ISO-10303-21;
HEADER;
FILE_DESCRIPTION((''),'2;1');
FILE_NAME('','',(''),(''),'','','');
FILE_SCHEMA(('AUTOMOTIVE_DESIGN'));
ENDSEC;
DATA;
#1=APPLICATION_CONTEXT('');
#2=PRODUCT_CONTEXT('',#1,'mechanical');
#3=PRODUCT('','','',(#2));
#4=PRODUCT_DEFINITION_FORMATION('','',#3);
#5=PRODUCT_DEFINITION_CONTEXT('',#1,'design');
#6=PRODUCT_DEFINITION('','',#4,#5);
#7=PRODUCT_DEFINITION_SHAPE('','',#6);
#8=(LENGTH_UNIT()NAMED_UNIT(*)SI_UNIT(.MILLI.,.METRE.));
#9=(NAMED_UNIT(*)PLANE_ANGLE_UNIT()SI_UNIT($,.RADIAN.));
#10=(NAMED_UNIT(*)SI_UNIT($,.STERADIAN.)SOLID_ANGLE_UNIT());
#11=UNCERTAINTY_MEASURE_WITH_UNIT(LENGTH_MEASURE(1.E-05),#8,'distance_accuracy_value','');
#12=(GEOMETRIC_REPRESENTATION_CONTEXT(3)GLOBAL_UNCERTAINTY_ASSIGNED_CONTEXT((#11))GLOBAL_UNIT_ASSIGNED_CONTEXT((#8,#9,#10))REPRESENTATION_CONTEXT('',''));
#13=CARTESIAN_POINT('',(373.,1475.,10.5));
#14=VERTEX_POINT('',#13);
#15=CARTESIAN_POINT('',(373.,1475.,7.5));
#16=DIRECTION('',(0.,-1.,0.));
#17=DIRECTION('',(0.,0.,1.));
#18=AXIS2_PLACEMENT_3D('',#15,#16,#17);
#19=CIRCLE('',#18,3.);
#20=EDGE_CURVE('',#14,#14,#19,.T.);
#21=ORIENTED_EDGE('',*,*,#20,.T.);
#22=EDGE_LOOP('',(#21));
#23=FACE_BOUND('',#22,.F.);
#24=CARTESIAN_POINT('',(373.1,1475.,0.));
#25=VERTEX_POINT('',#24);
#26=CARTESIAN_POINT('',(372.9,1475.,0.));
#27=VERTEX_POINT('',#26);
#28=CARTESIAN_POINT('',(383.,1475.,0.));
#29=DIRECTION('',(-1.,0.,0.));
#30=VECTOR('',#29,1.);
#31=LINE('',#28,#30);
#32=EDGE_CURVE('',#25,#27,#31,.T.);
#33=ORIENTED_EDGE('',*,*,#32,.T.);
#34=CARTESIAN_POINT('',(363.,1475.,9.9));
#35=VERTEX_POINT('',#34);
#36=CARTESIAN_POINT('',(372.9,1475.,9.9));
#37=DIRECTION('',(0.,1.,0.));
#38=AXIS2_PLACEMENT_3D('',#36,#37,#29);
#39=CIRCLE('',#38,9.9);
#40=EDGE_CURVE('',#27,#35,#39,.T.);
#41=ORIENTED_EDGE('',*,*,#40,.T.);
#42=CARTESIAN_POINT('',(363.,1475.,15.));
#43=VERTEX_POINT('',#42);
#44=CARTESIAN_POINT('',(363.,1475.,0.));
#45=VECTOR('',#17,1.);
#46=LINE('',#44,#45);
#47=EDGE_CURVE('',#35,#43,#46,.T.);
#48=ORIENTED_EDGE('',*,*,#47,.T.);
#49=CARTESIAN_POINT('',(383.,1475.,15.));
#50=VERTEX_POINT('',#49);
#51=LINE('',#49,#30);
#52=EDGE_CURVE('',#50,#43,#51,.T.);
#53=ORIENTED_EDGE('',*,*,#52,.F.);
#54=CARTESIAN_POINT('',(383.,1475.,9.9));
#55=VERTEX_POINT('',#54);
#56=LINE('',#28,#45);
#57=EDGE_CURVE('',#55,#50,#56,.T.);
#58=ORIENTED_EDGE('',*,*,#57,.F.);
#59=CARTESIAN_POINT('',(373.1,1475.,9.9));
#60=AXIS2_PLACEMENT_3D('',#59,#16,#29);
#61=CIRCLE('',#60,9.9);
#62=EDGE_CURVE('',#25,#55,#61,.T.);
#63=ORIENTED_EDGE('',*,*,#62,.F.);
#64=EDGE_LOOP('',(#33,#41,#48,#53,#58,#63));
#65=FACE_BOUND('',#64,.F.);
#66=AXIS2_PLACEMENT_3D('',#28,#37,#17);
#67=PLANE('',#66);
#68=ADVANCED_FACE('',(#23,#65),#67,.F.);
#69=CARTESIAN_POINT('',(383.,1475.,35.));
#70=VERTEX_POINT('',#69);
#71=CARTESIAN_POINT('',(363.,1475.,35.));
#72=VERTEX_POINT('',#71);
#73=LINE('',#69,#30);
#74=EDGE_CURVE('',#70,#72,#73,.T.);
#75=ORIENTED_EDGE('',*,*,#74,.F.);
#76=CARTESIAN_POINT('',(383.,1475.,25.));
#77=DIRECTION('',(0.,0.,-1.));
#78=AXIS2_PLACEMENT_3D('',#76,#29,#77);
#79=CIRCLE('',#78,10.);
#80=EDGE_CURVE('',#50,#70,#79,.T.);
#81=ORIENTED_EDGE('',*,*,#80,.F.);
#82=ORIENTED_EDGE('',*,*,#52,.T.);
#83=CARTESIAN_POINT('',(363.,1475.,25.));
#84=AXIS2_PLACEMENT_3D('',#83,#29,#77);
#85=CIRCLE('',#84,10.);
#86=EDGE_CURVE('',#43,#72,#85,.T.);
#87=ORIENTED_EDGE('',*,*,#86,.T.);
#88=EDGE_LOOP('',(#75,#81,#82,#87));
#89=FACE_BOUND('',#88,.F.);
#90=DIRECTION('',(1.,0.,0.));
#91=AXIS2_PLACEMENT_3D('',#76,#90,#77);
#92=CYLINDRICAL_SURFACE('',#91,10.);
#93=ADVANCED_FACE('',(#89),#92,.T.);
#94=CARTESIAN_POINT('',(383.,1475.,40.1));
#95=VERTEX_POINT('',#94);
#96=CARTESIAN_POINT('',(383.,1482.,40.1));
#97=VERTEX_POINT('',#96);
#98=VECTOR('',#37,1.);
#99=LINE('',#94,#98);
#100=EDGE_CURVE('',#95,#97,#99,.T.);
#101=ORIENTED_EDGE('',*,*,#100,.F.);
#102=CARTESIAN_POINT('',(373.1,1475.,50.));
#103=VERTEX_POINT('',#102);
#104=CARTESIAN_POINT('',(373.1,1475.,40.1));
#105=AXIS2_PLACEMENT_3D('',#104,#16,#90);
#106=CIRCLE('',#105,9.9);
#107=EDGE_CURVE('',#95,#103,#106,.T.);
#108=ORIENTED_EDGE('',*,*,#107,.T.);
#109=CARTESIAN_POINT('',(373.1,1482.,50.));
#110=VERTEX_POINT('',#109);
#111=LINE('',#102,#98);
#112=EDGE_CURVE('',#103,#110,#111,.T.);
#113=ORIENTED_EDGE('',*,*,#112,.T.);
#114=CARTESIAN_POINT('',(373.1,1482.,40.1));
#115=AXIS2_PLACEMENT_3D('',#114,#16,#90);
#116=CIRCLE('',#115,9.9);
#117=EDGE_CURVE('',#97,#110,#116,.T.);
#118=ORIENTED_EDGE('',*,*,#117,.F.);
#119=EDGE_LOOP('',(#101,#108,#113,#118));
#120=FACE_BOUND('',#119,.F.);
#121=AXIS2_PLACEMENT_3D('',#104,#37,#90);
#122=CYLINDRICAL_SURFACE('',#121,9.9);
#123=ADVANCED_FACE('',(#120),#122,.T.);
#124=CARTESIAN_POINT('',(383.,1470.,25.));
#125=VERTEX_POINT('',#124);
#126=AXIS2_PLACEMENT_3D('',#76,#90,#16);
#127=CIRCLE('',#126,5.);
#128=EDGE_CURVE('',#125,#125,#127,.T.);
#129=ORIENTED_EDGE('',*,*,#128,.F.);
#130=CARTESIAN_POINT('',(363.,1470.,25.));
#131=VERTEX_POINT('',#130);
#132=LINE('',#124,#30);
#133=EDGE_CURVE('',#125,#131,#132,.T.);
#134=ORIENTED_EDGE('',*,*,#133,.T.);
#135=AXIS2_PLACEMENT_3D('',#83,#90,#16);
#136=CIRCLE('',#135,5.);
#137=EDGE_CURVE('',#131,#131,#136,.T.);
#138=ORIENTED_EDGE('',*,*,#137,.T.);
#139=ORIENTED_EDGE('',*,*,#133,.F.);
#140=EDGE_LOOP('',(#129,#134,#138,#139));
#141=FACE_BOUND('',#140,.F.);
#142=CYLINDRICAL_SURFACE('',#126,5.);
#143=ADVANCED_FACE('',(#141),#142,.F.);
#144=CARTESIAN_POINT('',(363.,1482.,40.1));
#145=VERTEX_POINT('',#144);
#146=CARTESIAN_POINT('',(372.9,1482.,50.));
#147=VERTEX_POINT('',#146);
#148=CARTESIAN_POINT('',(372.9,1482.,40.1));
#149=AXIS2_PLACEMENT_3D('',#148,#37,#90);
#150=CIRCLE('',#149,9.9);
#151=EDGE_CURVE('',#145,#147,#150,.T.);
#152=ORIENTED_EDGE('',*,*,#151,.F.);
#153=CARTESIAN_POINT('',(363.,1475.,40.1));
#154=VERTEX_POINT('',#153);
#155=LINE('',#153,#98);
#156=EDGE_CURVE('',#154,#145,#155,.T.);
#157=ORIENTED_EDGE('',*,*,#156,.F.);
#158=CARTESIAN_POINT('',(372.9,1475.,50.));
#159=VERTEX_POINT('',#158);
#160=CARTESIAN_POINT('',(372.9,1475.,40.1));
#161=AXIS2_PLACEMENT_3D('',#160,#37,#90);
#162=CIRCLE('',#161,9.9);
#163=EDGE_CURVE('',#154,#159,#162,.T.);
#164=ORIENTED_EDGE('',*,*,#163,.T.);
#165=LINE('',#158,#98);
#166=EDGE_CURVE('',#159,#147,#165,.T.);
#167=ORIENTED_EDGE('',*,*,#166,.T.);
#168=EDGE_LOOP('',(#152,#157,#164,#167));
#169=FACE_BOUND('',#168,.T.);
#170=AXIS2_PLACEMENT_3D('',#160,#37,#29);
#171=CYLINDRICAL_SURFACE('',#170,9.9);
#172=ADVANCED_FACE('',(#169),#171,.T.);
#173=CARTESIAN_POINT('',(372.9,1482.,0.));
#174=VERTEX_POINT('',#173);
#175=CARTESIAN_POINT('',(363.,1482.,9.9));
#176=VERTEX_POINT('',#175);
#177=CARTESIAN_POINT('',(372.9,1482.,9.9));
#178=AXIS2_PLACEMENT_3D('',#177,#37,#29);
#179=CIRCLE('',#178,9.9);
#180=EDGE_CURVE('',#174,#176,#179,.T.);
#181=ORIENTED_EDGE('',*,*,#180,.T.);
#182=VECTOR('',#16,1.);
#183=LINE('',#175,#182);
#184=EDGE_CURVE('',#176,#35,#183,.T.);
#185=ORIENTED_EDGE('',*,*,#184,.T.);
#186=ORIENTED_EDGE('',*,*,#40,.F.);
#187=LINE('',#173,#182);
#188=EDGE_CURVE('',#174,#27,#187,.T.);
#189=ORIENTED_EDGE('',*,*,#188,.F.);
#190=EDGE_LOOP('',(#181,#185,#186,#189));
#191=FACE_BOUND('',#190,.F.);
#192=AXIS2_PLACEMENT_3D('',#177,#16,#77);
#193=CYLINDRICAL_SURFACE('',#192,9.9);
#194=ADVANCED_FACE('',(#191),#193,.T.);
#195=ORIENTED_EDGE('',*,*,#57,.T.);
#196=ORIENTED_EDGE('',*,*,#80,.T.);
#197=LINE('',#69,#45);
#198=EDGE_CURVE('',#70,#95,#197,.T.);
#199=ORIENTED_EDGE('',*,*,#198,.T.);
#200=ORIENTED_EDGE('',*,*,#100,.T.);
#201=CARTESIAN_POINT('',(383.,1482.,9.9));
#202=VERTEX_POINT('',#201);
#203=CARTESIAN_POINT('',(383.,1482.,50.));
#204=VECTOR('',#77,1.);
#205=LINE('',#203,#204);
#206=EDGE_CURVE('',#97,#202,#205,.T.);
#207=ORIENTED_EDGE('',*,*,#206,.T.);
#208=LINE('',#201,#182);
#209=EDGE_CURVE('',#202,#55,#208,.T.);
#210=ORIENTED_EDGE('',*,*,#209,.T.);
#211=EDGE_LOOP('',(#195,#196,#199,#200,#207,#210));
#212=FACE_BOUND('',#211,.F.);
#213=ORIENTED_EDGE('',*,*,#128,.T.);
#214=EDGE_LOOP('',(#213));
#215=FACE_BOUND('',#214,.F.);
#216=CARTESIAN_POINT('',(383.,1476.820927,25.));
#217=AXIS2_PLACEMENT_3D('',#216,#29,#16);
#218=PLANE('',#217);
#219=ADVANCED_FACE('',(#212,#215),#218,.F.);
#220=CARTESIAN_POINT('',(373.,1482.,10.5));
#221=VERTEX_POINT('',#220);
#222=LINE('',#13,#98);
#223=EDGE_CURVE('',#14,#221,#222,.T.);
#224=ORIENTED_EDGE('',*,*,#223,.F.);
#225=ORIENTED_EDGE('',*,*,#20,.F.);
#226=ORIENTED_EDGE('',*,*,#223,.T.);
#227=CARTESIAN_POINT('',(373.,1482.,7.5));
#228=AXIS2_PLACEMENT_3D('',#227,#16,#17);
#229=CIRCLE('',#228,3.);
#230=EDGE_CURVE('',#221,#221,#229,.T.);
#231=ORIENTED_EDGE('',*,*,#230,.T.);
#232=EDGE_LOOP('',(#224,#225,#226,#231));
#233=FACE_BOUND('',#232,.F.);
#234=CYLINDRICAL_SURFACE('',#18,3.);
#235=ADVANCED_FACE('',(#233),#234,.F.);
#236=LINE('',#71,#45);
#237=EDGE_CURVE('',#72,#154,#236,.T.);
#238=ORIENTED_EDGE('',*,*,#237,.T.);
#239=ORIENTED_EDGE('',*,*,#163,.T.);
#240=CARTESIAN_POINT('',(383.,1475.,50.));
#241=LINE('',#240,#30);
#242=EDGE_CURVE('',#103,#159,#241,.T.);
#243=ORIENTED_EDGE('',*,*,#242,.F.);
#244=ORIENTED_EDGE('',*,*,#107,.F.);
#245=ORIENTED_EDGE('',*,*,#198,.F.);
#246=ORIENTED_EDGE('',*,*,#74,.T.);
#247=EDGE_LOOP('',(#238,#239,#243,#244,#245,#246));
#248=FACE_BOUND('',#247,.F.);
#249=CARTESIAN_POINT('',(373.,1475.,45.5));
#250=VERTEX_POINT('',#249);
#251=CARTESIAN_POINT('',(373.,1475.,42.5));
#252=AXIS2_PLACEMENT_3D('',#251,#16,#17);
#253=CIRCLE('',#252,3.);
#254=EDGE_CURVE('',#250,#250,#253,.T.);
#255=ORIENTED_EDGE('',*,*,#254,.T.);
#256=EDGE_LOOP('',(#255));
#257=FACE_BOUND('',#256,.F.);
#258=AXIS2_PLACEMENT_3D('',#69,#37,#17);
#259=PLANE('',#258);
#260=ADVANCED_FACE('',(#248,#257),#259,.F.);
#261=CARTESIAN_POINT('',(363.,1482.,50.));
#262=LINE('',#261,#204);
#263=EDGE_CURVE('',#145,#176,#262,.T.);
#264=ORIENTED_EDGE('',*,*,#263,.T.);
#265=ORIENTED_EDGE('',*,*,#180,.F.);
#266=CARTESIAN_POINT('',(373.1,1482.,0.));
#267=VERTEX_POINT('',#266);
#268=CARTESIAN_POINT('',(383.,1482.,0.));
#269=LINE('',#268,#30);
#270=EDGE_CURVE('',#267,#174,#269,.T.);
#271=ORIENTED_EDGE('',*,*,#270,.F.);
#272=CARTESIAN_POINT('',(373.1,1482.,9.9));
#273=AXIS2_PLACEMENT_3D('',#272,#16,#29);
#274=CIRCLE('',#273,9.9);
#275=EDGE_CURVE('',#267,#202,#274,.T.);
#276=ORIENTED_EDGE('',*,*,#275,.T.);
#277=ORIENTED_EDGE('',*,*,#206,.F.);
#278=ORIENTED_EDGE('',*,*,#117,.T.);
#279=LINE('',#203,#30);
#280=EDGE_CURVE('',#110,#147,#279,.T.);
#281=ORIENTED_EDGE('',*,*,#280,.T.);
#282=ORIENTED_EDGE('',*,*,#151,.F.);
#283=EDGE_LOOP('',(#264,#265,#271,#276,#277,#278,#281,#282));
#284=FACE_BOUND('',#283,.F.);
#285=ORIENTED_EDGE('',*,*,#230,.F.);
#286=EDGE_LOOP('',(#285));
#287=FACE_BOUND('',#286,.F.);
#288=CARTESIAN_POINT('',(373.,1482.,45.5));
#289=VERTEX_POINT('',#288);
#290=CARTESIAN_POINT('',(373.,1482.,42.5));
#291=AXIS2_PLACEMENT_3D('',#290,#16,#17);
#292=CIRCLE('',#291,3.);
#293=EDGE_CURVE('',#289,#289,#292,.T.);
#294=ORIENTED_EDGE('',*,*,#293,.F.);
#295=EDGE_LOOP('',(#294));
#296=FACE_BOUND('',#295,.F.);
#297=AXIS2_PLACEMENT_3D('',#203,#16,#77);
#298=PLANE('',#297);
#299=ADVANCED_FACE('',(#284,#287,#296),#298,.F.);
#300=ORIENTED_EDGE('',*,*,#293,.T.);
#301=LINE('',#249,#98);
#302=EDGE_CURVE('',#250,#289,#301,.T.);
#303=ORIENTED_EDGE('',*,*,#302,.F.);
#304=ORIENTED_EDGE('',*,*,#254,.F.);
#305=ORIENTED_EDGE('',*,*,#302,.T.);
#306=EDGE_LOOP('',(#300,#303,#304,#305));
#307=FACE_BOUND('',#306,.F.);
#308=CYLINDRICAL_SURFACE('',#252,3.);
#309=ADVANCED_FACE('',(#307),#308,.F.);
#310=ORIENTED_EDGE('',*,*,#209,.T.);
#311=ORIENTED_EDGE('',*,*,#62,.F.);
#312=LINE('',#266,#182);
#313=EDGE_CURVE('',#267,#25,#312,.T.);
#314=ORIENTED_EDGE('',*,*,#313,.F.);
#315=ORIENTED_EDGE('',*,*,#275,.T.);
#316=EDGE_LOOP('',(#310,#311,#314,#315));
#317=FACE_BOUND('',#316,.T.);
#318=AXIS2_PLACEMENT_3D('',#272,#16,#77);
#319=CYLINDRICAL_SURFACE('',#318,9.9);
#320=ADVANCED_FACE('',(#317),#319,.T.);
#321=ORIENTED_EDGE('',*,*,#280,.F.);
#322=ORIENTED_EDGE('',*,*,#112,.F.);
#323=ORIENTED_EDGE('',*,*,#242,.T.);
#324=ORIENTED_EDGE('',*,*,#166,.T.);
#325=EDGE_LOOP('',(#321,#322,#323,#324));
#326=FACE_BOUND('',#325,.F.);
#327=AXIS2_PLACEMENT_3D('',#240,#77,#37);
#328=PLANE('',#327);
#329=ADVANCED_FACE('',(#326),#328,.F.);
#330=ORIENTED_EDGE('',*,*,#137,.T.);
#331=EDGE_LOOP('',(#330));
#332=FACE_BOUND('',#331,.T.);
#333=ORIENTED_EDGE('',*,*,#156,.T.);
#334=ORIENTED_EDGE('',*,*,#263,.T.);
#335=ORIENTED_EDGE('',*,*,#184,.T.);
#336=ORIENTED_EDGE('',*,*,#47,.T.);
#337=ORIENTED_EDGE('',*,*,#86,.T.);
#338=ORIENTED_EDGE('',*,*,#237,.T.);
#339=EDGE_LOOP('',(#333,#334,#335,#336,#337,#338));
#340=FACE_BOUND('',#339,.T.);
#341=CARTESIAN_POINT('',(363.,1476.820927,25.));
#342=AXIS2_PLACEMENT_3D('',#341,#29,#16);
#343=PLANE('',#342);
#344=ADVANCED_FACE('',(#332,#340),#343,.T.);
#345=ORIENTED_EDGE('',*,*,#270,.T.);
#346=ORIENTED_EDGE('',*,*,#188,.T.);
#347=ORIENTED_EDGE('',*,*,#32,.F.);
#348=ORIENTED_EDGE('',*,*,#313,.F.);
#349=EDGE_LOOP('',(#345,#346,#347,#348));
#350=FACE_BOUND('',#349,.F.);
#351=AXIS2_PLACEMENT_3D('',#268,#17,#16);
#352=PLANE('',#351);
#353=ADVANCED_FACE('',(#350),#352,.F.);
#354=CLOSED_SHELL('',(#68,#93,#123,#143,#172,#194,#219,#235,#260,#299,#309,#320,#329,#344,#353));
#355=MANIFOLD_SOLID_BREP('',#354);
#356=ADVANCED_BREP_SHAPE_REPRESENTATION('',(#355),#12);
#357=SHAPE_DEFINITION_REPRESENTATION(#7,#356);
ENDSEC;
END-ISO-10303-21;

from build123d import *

# Parameters (mm, degrees)
PAD030_DEPTH             = 20
SKETCH021_R              = 5
POCKET001006_DEPTH       = 20.001
FILLET_R                 = 9.9
SKETCH024_R              = 3
POCKET002_DEPTH          = 7.001
CLONE076_ROLL_ANGLE      = 90
CLONE076_PLACEMENT_ANGLE = -90


with BuildPart() as part:
    # Sketch020 → Pad030 (new body)
    with BuildSketch(Plane.XY):
        with BuildLine():
            Line((18, 0), (25, 0))
            Line((25, 0), (25, 15))
            ThreePointArc((25, 15), (35, 25), (25, 35))
            Line((25, 35), (25, 50))
            Line((25, 50), (18, 50))
            Line((18, 50), (18, 0))
        make_face()
    extrude(amount=PAD030_DEPTH)

    # Sketch021 → Pocket001006 (cut, through all)
    with BuildSketch(Plane(origin=(0, 0, 0), x_dir=(1, 0, 0), z_dir=(0, 0, -1))):
        with Locations((25, -25)):
            Circle(SKETCH021_R)
    extrude(amount=-POCKET001006_DEPTH, mode=Mode.SUBTRACT)

    # Fillet
    fillet_edges = [part.edges().sort_by_distance(p)[0] for p in [
        (21.5, 0, 0),
        (21.5, 50, 0),
        (21.5, 50, 20),
        (21.5, 0, 20),
    ]]
    fillet(fillet_edges, radius=FILLET_R)

    # Sketch024 → Pocket002 (cut, through all)
    with BuildSketch(Plane.YZ.offset(25)):
        with Locations((7.5, 10)):
            Circle(SKETCH024_R)
        with Locations((42.5, 10)):
            Circle(SKETCH024_R)
    extrude(amount=-POCKET002_DEPTH, mode=Mode.SUBTRACT)


with BuildPart() as part_1:
    # Clone076 roll: moved
    add(part.part.rotate(Axis((0, 0, 0), (1, 0, 0)), CLONE076_ROLL_ANGLE))


with BuildPart() as part_2:
    # Clone076 placement: moved
    add(part_1.part.moved(Location((120.75, 1500, 0))).rotate(Axis((120.75, 1500, 0), (0, 0, 1)), CLONE076_PLACEMENT_ANGLE))


with BuildPart() as part_3:
    # Clone079 placement: moved
    add(part_2.part.moved(Location((262.25, 0, 0))))


solid = part_3.part
